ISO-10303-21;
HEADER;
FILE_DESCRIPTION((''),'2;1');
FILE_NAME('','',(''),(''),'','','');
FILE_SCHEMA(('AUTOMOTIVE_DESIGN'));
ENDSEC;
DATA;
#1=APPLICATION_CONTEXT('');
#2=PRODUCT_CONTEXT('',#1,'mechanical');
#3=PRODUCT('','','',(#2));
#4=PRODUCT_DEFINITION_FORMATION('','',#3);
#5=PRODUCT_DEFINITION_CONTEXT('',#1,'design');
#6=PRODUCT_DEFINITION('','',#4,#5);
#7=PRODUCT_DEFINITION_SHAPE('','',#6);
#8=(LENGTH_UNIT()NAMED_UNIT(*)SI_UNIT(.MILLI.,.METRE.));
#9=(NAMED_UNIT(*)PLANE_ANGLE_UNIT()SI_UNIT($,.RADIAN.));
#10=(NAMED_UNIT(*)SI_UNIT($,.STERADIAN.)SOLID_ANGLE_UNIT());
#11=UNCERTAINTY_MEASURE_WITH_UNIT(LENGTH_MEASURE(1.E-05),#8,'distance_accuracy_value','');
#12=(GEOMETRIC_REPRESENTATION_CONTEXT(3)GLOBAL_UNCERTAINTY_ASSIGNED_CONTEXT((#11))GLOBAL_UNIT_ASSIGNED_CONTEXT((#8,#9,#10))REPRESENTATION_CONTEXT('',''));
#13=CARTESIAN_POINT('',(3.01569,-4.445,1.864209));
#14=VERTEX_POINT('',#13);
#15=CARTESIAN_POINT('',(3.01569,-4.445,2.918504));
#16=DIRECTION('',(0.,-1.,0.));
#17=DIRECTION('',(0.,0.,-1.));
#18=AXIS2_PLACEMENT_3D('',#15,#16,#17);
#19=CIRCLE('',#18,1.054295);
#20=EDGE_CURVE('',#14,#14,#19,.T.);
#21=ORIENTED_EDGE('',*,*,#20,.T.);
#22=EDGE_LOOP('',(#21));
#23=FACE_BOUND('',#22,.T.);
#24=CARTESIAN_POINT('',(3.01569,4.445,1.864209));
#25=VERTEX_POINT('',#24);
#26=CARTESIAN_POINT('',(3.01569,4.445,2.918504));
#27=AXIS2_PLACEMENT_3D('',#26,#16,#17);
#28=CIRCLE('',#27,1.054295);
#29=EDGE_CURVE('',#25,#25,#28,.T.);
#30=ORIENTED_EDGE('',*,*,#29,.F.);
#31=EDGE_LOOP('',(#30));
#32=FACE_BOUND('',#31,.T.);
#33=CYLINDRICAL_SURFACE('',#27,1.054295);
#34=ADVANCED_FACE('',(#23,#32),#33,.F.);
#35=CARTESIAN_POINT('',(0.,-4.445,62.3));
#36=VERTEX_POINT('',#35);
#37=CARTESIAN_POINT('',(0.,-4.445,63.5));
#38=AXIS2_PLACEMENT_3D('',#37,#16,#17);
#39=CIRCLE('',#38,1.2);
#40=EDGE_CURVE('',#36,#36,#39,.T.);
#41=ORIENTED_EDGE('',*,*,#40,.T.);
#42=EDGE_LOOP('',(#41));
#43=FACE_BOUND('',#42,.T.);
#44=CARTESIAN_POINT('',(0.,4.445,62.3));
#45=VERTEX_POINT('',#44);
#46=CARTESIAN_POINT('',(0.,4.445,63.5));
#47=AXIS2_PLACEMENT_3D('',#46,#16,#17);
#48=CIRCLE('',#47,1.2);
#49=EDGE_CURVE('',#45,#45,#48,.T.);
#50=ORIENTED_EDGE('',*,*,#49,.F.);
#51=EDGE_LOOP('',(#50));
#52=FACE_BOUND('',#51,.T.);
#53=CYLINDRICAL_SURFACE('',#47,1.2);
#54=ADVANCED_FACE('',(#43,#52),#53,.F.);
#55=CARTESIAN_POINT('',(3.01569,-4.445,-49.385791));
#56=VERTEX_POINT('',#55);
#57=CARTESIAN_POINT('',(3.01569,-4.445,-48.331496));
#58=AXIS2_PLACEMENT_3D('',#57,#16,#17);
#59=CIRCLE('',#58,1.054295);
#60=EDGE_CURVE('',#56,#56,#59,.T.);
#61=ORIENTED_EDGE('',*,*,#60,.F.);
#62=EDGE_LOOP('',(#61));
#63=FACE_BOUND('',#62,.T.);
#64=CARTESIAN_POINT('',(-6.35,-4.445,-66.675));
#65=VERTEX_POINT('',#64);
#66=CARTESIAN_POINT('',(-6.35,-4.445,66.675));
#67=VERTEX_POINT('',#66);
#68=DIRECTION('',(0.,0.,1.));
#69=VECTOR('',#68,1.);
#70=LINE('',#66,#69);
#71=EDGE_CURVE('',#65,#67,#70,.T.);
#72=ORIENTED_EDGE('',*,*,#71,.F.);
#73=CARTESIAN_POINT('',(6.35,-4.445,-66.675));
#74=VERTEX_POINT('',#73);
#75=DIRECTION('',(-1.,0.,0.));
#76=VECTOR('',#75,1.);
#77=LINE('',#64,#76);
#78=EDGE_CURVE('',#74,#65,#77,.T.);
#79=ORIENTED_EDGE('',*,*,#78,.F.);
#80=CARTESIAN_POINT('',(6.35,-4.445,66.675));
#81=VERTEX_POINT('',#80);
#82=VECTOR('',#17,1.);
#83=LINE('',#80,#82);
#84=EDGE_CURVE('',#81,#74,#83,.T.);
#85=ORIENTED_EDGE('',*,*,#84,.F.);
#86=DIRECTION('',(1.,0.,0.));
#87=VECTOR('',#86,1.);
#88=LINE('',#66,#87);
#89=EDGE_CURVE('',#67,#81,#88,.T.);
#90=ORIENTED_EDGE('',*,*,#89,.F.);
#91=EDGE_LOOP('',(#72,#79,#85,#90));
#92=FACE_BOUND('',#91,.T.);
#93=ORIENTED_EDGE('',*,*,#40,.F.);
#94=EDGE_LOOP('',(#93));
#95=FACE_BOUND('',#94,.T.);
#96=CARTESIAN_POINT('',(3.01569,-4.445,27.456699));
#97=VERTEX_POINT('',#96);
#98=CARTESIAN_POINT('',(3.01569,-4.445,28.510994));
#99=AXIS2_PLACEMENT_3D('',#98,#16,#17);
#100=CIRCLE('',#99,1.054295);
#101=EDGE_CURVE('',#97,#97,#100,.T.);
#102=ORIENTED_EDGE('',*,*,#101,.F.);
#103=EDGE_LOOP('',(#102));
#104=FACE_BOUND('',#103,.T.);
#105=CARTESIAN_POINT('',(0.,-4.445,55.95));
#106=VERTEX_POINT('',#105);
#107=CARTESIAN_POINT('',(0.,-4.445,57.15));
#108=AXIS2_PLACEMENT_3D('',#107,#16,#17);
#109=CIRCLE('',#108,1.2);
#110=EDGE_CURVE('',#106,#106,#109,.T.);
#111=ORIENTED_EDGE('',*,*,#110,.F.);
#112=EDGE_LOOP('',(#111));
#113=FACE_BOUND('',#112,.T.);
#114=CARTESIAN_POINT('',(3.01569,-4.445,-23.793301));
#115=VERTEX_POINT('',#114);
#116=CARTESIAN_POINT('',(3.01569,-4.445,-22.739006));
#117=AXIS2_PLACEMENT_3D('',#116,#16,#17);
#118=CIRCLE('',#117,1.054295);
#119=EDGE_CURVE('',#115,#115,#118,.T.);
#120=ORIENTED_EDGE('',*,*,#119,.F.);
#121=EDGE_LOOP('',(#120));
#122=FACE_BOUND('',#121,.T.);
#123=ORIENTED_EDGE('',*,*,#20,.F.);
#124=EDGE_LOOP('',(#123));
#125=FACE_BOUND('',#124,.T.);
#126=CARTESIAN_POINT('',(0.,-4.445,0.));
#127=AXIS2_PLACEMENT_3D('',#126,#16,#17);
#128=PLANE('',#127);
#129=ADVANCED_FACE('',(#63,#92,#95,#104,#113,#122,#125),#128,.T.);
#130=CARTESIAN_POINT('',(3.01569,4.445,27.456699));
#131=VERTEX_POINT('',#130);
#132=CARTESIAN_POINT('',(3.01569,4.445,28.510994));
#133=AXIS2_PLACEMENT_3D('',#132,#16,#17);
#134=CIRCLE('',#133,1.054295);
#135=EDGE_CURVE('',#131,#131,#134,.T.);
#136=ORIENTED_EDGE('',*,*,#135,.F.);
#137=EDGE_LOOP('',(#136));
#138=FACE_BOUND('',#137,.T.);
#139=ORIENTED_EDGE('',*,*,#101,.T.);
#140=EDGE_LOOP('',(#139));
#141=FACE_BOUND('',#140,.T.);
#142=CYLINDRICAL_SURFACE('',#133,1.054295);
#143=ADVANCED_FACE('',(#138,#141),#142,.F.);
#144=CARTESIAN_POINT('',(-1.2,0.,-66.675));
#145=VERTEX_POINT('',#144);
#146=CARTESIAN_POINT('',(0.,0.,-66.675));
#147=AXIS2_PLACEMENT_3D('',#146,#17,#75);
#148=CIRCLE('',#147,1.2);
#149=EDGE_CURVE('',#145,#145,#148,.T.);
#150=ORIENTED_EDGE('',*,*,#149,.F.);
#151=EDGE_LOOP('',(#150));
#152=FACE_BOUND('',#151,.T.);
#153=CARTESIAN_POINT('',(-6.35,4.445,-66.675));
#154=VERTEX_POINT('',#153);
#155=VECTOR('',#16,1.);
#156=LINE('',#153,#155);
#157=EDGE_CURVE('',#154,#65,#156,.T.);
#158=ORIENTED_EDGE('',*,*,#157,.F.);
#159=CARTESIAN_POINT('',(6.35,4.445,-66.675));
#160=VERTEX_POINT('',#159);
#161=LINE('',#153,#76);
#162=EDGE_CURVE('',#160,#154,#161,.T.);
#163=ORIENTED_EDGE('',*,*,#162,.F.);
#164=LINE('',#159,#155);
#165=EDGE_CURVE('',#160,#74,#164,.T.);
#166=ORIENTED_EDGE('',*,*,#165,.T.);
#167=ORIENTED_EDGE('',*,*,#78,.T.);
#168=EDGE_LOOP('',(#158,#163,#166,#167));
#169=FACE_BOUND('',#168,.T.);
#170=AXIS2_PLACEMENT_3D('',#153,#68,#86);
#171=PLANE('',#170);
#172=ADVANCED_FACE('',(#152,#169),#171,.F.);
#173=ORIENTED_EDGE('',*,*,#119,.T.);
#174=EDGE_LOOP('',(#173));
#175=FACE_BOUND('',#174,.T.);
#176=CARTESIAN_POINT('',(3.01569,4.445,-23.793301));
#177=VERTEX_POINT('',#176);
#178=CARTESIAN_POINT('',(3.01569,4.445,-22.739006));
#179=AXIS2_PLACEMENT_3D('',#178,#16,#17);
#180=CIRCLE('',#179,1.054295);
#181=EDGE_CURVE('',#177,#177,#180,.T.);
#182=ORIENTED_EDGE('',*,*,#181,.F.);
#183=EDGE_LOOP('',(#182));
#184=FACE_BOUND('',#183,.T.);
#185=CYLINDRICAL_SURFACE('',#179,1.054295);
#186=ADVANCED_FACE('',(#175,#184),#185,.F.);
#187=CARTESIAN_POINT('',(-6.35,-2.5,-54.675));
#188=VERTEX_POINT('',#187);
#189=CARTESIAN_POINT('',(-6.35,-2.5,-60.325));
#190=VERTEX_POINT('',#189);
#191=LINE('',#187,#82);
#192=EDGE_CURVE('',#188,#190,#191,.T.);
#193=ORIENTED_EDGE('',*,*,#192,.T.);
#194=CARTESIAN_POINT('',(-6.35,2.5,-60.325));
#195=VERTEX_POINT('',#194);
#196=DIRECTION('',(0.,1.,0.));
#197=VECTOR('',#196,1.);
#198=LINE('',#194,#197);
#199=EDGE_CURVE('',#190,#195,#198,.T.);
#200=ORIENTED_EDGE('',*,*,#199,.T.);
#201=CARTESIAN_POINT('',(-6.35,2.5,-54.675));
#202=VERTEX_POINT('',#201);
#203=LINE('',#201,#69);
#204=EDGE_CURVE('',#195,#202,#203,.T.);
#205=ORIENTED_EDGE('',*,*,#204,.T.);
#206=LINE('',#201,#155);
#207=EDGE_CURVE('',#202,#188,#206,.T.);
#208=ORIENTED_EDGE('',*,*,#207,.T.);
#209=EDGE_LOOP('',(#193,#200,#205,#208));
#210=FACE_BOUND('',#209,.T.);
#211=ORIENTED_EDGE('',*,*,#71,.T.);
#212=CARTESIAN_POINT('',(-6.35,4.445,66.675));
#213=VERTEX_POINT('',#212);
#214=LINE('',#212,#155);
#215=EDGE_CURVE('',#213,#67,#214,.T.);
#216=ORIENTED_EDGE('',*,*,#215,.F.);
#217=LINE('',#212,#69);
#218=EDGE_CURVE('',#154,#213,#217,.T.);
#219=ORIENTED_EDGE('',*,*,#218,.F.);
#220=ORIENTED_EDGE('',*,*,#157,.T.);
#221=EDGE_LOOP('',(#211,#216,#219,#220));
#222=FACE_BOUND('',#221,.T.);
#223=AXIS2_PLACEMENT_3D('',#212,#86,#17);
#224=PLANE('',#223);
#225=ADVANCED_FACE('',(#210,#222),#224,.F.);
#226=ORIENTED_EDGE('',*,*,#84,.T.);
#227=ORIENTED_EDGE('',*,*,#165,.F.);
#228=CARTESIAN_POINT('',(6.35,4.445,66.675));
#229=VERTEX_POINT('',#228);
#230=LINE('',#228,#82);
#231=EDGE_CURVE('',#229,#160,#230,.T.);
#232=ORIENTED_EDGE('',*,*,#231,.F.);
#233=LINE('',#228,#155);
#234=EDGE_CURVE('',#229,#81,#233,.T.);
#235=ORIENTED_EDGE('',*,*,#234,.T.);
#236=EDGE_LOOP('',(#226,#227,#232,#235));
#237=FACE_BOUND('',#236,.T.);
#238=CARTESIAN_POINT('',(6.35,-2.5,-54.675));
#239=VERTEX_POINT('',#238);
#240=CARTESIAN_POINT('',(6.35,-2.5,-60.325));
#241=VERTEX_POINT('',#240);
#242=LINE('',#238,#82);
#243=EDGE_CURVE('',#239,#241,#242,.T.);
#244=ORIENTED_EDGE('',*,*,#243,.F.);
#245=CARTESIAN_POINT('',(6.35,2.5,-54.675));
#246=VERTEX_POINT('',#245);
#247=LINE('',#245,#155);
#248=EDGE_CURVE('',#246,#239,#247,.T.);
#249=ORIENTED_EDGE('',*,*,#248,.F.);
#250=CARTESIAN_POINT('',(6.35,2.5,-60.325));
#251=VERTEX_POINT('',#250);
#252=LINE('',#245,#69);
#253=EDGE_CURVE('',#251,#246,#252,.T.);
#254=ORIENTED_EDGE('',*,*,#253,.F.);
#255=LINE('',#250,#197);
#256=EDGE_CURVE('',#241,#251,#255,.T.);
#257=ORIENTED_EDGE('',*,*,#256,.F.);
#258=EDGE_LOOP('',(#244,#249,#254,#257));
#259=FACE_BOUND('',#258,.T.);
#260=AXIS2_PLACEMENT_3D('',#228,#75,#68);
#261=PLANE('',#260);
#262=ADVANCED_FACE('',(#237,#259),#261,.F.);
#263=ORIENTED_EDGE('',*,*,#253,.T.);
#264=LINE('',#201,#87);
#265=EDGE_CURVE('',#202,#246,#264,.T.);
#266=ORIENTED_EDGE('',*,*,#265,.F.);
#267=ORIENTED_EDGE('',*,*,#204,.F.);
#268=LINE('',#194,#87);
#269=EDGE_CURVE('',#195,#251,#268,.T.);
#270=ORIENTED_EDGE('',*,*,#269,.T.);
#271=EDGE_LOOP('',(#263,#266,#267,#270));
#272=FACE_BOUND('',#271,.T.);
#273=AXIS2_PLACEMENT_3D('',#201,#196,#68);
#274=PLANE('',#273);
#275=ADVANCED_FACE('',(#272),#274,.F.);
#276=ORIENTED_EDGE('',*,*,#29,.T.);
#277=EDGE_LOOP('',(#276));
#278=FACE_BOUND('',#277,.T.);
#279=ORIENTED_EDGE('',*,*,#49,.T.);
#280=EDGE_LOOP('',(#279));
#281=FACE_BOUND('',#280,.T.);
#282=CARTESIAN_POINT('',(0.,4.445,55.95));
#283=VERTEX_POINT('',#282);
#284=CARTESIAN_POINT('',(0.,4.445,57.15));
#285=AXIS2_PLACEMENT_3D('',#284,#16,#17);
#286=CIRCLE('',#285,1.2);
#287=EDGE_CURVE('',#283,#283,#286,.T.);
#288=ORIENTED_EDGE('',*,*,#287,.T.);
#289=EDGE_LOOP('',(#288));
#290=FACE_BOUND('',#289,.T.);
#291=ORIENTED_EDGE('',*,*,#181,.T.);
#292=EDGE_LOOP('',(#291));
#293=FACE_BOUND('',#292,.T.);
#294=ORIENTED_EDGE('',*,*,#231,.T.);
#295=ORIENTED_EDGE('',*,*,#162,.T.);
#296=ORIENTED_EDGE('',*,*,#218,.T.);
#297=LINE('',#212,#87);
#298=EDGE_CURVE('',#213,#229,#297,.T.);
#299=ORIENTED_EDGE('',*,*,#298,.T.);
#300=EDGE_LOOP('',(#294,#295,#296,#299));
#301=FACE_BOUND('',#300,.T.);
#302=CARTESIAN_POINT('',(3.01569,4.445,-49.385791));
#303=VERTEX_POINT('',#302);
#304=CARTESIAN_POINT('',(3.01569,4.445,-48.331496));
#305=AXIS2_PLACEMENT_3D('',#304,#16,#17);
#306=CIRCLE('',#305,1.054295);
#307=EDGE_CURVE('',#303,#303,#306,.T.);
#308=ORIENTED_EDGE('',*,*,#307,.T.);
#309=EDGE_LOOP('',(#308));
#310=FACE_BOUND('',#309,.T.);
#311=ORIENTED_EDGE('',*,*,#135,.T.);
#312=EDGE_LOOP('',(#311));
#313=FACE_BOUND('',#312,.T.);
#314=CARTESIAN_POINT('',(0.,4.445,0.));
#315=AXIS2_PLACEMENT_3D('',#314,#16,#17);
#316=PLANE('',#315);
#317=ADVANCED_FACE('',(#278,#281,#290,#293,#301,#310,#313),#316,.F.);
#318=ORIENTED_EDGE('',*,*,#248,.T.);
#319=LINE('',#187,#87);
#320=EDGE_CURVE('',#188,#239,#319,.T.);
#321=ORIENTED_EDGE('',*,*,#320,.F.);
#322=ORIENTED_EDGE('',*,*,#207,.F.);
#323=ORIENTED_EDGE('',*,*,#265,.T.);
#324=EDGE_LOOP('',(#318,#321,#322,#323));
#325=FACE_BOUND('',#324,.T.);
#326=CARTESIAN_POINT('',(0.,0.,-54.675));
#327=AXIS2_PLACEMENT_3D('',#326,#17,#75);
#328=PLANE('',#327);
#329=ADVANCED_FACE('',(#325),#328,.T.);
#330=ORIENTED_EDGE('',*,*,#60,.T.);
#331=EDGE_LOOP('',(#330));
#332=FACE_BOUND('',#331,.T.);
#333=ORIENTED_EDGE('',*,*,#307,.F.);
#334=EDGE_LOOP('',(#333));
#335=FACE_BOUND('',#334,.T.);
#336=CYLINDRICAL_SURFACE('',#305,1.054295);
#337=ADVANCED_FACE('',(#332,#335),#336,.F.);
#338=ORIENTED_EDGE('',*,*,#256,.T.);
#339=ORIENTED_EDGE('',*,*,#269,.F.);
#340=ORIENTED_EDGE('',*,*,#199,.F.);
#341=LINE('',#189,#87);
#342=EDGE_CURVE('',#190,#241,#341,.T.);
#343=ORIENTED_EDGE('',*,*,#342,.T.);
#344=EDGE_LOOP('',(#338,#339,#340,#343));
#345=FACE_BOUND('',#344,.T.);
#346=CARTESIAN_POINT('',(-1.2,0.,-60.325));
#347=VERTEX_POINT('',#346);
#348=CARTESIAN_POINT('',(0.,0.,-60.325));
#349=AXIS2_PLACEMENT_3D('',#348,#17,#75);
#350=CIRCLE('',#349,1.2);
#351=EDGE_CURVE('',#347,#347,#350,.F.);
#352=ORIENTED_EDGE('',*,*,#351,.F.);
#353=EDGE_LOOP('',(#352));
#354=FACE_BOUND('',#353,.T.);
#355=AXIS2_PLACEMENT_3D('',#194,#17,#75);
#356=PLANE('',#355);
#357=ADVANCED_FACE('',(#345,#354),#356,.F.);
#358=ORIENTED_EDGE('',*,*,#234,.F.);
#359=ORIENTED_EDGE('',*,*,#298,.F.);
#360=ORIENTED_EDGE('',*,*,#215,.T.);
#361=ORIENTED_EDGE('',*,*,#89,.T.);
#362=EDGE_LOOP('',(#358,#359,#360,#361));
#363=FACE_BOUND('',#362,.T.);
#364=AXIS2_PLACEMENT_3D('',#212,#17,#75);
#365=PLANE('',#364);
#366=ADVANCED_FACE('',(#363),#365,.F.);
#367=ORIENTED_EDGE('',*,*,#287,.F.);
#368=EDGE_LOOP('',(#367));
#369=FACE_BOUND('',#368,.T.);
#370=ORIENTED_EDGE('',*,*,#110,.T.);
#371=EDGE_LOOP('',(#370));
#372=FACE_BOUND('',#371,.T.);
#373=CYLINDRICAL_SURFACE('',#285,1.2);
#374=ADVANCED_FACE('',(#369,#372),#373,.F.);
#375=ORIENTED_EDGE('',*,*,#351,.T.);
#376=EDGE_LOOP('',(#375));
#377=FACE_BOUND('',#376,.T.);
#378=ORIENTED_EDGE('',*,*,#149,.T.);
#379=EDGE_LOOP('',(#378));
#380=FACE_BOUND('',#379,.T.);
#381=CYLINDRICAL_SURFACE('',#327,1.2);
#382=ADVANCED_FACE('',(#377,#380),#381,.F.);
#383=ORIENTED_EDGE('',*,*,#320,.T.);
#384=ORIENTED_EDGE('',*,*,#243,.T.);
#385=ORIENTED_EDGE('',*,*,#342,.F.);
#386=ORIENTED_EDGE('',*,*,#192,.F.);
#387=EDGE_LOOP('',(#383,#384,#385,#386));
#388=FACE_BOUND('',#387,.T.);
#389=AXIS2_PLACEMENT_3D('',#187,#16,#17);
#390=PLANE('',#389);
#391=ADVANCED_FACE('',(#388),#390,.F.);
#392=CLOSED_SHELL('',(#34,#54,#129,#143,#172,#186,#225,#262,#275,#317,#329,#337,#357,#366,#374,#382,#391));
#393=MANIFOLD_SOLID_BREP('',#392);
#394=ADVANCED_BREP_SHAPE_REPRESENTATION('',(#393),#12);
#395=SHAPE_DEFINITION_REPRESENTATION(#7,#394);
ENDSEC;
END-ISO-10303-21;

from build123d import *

# Parameters (mm, degrees)
SKETCH1_W               = 12.7
SKETCH1_H               = 133.35
BOSS_EXTRUDE1_DEPTH     = 4.445
CUT_EXTRUDE1_DEPTH      = 68.564119361
CUT_EXTRUDE1_DEPTH_BACK = 68.564119361
SKETCH2_R               = 1.2
SKETCH3_R               = 1.2
CUT_EXTRUDE2_DEPTH      = 12
SKETCH4_W               = 5.65
SKETCH4_H               = 5
CUT_EXTRUDE3_DEPTH      = 69.019141791
SKETCH5_R               = 1.054294776
CUT_EXTRUDE4_DEPTH      = 68.564119361


with BuildPart() as part:
    # Sketch1 → Boss-Extrude1 (new, symmetric)
    with BuildSketch(Plane(origin=(0, 0, 0), x_dir=(1, 0, 0), z_dir=(0, 1, 0))):
        Rectangle(SKETCH1_W, SKETCH1_H)
    extrude(amount=BOSS_EXTRUDE1_DEPTH, both=True)

    # Sketch2 → Cut-Extrude1 (cut, two sides: drawn at the far end of the back side and taken through both)
    with BuildSketch(Plane.XZ.offset(4.445).offset(-CUT_EXTRUDE1_DEPTH_BACK)):
        with Locations(Location((0, 57.15, 0), (0, 0, 270))):
            Circle(SKETCH2_R)
        with Locations(Location((0, 63.5, 0), (0, 0, 270))):
            Circle(SKETCH2_R)
    extrude(amount=CUT_EXTRUDE1_DEPTH + CUT_EXTRUDE1_DEPTH_BACK, mode=Mode.SUBTRACT)

    # Sketch3 → Cut-Extrude2 (cut)
    with BuildSketch(Plane(origin=(0, 0, -66.675), x_dir=(-1, 0, 0), z_dir=(0, 0, -1))):
        Circle(SKETCH3_R)
    extrude(amount=-CUT_EXTRUDE2_DEPTH, mode=Mode.SUBTRACT)

    # Sketch4 → Cut-Extrude3 (cut, through all)
    with BuildSketch(Plane(origin=(6.35, 0, 0), x_dir=(0, 0, -1), z_dir=(1, 0, 0))):
        with Locations((57.5, 0)):
            Rectangle(SKETCH4_W, SKETCH4_H)
    extrude(amount=-CUT_EXTRUDE3_DEPTH, mode=Mode.SUBTRACT)

    # Sketch5 → Cut-Extrude4 (cut, through all)
    with BuildSketch(Plane.XZ.offset(4.445)):
        with Locations(Location((3.015690418, -48.331496192, 0), (0, 0, 270))):
            Circle(SKETCH5_R)
        with Locations(Location((3.015690418, -22.739006486, 0), (0, 0, 270))):
            Circle(SKETCH5_R)
        with Locations(Location((3.015690418, 2.918503808, 0), (0, 0, 270))):
            Circle(SKETCH5_R)
        with Locations(Location((3.015690418, 28.510993514, 0), (0, 0, 270))):
            Circle(SKETCH5_R)
    extrude(amount=-CUT_EXTRUDE4_DEPTH, mode=Mode.SUBTRACT)


solid = part.part
